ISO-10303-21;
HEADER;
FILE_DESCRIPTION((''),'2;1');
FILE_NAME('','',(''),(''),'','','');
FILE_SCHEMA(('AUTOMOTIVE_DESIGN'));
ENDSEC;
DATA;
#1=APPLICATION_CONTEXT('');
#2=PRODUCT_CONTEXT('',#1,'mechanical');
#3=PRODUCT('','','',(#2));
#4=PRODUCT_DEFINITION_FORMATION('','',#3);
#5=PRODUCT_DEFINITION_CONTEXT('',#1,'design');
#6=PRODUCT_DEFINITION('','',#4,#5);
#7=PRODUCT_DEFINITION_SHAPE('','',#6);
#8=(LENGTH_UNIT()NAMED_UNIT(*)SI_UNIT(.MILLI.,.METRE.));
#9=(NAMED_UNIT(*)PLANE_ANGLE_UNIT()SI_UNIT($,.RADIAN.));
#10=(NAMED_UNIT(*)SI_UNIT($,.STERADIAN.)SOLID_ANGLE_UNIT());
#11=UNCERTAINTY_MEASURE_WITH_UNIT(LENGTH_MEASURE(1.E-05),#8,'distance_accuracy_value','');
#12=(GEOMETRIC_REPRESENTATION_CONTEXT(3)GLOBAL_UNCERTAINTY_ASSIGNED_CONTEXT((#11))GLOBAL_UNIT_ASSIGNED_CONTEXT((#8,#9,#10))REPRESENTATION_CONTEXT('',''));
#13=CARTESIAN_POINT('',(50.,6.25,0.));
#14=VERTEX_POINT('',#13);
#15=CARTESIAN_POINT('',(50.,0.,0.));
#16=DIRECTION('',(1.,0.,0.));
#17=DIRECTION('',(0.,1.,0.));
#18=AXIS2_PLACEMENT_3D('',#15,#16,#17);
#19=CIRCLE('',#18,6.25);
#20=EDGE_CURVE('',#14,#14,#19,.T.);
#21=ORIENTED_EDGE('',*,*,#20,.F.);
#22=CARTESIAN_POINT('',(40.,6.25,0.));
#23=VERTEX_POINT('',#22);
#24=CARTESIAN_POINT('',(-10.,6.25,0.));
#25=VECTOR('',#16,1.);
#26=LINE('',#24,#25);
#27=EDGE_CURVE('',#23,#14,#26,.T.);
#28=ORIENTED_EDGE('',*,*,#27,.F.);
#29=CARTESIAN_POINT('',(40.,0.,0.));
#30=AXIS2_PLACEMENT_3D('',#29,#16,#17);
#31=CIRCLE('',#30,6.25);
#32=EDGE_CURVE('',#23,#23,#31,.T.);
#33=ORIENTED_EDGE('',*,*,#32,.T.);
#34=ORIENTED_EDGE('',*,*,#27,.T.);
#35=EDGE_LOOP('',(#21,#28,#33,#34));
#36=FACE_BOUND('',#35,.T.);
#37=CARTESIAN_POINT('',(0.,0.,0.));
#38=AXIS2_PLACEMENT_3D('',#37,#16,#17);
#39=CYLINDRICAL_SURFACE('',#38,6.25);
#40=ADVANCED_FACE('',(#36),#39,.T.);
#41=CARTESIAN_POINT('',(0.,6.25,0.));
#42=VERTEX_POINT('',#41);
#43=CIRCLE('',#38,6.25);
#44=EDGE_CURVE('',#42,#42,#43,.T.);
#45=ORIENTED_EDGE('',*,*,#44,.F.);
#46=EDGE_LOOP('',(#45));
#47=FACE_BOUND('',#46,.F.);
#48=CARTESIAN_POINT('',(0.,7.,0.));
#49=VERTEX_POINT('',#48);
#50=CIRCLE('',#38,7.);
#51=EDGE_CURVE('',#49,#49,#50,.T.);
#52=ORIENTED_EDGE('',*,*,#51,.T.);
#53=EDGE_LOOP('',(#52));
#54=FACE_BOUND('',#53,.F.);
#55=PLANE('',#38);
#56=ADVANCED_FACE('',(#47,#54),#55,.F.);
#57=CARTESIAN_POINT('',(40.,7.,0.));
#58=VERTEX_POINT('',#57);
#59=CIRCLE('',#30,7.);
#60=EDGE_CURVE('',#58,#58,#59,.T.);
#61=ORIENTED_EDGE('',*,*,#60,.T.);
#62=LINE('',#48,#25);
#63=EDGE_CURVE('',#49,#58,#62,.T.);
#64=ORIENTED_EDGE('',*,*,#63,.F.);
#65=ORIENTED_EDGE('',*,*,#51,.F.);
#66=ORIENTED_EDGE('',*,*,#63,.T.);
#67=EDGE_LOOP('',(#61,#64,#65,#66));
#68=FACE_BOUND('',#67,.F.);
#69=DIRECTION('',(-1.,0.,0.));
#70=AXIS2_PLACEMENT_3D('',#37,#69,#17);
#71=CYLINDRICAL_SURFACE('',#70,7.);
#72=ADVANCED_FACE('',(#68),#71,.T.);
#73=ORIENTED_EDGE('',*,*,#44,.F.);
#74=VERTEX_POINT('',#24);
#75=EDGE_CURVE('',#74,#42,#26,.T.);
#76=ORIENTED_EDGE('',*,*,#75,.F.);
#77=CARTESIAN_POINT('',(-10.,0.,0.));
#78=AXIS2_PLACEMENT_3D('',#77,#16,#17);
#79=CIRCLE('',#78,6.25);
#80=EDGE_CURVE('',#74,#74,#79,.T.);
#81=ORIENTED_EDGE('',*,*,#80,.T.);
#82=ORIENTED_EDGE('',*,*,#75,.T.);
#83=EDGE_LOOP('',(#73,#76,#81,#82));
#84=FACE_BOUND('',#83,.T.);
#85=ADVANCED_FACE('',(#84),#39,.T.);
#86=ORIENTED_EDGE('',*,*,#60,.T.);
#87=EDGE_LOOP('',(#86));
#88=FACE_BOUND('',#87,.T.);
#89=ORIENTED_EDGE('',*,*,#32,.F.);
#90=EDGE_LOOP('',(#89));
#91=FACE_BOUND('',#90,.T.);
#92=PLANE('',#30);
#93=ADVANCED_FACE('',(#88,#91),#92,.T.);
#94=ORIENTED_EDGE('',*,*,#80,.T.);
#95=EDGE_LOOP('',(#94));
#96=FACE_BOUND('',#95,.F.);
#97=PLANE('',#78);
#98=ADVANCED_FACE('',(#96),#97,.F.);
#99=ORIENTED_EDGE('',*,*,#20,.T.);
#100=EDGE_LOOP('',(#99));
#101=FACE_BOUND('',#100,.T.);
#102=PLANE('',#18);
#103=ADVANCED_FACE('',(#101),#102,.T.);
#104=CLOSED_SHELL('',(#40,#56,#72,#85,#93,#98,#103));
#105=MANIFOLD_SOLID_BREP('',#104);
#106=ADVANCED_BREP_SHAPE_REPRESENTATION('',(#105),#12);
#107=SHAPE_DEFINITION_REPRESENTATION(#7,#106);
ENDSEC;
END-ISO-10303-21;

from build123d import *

# Parameters (mm, degrees)
F0_R          = 6.25
F1_DEPTH      = 50
F1_DEPTH_BACK = 10
F0_R_2        = 7
F2_DEPTH      = 40


with BuildPart() as f1:
    # F0 (on Right) → F1 (new body, two sides)
    with BuildSketch(Plane.YZ) as f1_sk:
        Circle(F0_R)
    extrude(amount=F1_DEPTH)
    extrude(f1_sk.sketch, amount=-F1_DEPTH_BACK)

    # F0 (on Right) → F2 (join)
    with BuildSketch(Plane.YZ):
        Circle(F0_R_2)
        Circle(F0_R, mode=Mode.SUBTRACT)
    extrude(amount=F2_DEPTH)


solid = f1.part
